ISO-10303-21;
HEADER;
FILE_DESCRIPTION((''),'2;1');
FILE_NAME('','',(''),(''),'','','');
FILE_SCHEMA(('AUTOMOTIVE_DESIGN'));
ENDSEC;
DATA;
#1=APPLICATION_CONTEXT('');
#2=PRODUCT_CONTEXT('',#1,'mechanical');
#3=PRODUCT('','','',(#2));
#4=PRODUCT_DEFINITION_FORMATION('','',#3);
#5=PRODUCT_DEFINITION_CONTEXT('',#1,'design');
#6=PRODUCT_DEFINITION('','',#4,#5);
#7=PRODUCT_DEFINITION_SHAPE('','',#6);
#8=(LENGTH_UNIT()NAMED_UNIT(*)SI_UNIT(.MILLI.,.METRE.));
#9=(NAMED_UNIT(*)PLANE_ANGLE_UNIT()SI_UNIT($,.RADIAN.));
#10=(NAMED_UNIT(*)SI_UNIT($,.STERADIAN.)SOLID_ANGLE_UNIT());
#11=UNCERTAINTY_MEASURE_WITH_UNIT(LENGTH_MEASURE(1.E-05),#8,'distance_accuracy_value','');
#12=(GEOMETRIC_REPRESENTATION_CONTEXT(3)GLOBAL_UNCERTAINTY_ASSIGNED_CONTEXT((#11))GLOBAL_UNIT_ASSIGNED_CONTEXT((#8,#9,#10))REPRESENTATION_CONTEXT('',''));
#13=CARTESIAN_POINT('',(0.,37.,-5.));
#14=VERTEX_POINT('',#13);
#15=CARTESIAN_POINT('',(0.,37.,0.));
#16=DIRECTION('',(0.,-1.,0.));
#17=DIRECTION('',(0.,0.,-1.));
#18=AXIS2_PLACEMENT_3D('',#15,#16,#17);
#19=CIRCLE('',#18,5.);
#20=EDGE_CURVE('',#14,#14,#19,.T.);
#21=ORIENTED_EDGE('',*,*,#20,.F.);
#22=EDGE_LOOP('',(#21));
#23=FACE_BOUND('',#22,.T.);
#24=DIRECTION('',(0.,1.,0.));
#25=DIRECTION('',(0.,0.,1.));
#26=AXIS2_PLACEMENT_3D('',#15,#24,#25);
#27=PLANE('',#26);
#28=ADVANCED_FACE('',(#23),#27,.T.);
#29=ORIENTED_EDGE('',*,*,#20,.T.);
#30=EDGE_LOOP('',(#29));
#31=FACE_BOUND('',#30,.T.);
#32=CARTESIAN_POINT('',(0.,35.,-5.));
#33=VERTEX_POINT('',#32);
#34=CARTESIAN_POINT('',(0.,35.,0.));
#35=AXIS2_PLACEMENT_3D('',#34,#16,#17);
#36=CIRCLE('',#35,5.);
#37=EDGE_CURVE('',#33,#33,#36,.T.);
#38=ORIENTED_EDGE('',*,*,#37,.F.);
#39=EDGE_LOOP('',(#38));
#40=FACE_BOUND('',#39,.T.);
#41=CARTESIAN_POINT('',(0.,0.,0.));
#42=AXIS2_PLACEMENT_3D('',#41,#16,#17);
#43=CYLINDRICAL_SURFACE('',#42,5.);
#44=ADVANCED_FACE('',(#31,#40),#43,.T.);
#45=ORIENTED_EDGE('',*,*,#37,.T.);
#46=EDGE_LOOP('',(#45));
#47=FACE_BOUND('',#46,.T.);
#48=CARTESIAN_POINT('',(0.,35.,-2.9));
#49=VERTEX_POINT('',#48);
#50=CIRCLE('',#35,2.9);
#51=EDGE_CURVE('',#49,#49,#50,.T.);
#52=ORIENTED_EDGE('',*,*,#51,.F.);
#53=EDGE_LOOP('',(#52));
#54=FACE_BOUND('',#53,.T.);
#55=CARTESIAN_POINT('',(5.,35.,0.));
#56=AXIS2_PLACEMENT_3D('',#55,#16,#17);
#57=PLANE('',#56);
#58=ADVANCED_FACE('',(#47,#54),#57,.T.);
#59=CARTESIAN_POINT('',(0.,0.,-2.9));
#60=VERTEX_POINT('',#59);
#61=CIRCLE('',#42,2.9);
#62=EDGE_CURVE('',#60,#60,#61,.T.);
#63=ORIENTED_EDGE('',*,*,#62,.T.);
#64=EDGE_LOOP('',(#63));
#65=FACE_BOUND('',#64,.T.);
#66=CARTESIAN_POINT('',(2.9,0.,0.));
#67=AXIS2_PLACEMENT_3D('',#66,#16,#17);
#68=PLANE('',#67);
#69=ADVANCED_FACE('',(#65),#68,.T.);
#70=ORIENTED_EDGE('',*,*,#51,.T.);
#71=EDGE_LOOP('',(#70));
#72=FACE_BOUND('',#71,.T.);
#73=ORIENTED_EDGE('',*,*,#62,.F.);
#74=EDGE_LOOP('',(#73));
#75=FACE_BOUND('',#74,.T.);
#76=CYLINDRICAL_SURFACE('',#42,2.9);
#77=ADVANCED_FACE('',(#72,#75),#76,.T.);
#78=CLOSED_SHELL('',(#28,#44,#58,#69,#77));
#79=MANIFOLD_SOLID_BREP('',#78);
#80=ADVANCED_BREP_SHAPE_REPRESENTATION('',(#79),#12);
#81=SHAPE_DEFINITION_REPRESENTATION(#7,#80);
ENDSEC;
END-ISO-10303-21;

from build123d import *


with BuildPart() as part:
    # Sketch1 → Revolve1 (revolve)
    with BuildSketch(Plane.XY, mode=Mode.PRIVATE) as revolve1_sk:
        Polygon((0, 37), (5, 37), (5, 35), (2.9, 35), (2.9, 0), (0, 0), align=None)
    revolve(revolve1_sk.sketch.rotate(Axis((0, 0, 0), (0, 1, 0)), 90), axis=Axis((0, 0, 0), (0, 1, 0)))


solid = part.part
